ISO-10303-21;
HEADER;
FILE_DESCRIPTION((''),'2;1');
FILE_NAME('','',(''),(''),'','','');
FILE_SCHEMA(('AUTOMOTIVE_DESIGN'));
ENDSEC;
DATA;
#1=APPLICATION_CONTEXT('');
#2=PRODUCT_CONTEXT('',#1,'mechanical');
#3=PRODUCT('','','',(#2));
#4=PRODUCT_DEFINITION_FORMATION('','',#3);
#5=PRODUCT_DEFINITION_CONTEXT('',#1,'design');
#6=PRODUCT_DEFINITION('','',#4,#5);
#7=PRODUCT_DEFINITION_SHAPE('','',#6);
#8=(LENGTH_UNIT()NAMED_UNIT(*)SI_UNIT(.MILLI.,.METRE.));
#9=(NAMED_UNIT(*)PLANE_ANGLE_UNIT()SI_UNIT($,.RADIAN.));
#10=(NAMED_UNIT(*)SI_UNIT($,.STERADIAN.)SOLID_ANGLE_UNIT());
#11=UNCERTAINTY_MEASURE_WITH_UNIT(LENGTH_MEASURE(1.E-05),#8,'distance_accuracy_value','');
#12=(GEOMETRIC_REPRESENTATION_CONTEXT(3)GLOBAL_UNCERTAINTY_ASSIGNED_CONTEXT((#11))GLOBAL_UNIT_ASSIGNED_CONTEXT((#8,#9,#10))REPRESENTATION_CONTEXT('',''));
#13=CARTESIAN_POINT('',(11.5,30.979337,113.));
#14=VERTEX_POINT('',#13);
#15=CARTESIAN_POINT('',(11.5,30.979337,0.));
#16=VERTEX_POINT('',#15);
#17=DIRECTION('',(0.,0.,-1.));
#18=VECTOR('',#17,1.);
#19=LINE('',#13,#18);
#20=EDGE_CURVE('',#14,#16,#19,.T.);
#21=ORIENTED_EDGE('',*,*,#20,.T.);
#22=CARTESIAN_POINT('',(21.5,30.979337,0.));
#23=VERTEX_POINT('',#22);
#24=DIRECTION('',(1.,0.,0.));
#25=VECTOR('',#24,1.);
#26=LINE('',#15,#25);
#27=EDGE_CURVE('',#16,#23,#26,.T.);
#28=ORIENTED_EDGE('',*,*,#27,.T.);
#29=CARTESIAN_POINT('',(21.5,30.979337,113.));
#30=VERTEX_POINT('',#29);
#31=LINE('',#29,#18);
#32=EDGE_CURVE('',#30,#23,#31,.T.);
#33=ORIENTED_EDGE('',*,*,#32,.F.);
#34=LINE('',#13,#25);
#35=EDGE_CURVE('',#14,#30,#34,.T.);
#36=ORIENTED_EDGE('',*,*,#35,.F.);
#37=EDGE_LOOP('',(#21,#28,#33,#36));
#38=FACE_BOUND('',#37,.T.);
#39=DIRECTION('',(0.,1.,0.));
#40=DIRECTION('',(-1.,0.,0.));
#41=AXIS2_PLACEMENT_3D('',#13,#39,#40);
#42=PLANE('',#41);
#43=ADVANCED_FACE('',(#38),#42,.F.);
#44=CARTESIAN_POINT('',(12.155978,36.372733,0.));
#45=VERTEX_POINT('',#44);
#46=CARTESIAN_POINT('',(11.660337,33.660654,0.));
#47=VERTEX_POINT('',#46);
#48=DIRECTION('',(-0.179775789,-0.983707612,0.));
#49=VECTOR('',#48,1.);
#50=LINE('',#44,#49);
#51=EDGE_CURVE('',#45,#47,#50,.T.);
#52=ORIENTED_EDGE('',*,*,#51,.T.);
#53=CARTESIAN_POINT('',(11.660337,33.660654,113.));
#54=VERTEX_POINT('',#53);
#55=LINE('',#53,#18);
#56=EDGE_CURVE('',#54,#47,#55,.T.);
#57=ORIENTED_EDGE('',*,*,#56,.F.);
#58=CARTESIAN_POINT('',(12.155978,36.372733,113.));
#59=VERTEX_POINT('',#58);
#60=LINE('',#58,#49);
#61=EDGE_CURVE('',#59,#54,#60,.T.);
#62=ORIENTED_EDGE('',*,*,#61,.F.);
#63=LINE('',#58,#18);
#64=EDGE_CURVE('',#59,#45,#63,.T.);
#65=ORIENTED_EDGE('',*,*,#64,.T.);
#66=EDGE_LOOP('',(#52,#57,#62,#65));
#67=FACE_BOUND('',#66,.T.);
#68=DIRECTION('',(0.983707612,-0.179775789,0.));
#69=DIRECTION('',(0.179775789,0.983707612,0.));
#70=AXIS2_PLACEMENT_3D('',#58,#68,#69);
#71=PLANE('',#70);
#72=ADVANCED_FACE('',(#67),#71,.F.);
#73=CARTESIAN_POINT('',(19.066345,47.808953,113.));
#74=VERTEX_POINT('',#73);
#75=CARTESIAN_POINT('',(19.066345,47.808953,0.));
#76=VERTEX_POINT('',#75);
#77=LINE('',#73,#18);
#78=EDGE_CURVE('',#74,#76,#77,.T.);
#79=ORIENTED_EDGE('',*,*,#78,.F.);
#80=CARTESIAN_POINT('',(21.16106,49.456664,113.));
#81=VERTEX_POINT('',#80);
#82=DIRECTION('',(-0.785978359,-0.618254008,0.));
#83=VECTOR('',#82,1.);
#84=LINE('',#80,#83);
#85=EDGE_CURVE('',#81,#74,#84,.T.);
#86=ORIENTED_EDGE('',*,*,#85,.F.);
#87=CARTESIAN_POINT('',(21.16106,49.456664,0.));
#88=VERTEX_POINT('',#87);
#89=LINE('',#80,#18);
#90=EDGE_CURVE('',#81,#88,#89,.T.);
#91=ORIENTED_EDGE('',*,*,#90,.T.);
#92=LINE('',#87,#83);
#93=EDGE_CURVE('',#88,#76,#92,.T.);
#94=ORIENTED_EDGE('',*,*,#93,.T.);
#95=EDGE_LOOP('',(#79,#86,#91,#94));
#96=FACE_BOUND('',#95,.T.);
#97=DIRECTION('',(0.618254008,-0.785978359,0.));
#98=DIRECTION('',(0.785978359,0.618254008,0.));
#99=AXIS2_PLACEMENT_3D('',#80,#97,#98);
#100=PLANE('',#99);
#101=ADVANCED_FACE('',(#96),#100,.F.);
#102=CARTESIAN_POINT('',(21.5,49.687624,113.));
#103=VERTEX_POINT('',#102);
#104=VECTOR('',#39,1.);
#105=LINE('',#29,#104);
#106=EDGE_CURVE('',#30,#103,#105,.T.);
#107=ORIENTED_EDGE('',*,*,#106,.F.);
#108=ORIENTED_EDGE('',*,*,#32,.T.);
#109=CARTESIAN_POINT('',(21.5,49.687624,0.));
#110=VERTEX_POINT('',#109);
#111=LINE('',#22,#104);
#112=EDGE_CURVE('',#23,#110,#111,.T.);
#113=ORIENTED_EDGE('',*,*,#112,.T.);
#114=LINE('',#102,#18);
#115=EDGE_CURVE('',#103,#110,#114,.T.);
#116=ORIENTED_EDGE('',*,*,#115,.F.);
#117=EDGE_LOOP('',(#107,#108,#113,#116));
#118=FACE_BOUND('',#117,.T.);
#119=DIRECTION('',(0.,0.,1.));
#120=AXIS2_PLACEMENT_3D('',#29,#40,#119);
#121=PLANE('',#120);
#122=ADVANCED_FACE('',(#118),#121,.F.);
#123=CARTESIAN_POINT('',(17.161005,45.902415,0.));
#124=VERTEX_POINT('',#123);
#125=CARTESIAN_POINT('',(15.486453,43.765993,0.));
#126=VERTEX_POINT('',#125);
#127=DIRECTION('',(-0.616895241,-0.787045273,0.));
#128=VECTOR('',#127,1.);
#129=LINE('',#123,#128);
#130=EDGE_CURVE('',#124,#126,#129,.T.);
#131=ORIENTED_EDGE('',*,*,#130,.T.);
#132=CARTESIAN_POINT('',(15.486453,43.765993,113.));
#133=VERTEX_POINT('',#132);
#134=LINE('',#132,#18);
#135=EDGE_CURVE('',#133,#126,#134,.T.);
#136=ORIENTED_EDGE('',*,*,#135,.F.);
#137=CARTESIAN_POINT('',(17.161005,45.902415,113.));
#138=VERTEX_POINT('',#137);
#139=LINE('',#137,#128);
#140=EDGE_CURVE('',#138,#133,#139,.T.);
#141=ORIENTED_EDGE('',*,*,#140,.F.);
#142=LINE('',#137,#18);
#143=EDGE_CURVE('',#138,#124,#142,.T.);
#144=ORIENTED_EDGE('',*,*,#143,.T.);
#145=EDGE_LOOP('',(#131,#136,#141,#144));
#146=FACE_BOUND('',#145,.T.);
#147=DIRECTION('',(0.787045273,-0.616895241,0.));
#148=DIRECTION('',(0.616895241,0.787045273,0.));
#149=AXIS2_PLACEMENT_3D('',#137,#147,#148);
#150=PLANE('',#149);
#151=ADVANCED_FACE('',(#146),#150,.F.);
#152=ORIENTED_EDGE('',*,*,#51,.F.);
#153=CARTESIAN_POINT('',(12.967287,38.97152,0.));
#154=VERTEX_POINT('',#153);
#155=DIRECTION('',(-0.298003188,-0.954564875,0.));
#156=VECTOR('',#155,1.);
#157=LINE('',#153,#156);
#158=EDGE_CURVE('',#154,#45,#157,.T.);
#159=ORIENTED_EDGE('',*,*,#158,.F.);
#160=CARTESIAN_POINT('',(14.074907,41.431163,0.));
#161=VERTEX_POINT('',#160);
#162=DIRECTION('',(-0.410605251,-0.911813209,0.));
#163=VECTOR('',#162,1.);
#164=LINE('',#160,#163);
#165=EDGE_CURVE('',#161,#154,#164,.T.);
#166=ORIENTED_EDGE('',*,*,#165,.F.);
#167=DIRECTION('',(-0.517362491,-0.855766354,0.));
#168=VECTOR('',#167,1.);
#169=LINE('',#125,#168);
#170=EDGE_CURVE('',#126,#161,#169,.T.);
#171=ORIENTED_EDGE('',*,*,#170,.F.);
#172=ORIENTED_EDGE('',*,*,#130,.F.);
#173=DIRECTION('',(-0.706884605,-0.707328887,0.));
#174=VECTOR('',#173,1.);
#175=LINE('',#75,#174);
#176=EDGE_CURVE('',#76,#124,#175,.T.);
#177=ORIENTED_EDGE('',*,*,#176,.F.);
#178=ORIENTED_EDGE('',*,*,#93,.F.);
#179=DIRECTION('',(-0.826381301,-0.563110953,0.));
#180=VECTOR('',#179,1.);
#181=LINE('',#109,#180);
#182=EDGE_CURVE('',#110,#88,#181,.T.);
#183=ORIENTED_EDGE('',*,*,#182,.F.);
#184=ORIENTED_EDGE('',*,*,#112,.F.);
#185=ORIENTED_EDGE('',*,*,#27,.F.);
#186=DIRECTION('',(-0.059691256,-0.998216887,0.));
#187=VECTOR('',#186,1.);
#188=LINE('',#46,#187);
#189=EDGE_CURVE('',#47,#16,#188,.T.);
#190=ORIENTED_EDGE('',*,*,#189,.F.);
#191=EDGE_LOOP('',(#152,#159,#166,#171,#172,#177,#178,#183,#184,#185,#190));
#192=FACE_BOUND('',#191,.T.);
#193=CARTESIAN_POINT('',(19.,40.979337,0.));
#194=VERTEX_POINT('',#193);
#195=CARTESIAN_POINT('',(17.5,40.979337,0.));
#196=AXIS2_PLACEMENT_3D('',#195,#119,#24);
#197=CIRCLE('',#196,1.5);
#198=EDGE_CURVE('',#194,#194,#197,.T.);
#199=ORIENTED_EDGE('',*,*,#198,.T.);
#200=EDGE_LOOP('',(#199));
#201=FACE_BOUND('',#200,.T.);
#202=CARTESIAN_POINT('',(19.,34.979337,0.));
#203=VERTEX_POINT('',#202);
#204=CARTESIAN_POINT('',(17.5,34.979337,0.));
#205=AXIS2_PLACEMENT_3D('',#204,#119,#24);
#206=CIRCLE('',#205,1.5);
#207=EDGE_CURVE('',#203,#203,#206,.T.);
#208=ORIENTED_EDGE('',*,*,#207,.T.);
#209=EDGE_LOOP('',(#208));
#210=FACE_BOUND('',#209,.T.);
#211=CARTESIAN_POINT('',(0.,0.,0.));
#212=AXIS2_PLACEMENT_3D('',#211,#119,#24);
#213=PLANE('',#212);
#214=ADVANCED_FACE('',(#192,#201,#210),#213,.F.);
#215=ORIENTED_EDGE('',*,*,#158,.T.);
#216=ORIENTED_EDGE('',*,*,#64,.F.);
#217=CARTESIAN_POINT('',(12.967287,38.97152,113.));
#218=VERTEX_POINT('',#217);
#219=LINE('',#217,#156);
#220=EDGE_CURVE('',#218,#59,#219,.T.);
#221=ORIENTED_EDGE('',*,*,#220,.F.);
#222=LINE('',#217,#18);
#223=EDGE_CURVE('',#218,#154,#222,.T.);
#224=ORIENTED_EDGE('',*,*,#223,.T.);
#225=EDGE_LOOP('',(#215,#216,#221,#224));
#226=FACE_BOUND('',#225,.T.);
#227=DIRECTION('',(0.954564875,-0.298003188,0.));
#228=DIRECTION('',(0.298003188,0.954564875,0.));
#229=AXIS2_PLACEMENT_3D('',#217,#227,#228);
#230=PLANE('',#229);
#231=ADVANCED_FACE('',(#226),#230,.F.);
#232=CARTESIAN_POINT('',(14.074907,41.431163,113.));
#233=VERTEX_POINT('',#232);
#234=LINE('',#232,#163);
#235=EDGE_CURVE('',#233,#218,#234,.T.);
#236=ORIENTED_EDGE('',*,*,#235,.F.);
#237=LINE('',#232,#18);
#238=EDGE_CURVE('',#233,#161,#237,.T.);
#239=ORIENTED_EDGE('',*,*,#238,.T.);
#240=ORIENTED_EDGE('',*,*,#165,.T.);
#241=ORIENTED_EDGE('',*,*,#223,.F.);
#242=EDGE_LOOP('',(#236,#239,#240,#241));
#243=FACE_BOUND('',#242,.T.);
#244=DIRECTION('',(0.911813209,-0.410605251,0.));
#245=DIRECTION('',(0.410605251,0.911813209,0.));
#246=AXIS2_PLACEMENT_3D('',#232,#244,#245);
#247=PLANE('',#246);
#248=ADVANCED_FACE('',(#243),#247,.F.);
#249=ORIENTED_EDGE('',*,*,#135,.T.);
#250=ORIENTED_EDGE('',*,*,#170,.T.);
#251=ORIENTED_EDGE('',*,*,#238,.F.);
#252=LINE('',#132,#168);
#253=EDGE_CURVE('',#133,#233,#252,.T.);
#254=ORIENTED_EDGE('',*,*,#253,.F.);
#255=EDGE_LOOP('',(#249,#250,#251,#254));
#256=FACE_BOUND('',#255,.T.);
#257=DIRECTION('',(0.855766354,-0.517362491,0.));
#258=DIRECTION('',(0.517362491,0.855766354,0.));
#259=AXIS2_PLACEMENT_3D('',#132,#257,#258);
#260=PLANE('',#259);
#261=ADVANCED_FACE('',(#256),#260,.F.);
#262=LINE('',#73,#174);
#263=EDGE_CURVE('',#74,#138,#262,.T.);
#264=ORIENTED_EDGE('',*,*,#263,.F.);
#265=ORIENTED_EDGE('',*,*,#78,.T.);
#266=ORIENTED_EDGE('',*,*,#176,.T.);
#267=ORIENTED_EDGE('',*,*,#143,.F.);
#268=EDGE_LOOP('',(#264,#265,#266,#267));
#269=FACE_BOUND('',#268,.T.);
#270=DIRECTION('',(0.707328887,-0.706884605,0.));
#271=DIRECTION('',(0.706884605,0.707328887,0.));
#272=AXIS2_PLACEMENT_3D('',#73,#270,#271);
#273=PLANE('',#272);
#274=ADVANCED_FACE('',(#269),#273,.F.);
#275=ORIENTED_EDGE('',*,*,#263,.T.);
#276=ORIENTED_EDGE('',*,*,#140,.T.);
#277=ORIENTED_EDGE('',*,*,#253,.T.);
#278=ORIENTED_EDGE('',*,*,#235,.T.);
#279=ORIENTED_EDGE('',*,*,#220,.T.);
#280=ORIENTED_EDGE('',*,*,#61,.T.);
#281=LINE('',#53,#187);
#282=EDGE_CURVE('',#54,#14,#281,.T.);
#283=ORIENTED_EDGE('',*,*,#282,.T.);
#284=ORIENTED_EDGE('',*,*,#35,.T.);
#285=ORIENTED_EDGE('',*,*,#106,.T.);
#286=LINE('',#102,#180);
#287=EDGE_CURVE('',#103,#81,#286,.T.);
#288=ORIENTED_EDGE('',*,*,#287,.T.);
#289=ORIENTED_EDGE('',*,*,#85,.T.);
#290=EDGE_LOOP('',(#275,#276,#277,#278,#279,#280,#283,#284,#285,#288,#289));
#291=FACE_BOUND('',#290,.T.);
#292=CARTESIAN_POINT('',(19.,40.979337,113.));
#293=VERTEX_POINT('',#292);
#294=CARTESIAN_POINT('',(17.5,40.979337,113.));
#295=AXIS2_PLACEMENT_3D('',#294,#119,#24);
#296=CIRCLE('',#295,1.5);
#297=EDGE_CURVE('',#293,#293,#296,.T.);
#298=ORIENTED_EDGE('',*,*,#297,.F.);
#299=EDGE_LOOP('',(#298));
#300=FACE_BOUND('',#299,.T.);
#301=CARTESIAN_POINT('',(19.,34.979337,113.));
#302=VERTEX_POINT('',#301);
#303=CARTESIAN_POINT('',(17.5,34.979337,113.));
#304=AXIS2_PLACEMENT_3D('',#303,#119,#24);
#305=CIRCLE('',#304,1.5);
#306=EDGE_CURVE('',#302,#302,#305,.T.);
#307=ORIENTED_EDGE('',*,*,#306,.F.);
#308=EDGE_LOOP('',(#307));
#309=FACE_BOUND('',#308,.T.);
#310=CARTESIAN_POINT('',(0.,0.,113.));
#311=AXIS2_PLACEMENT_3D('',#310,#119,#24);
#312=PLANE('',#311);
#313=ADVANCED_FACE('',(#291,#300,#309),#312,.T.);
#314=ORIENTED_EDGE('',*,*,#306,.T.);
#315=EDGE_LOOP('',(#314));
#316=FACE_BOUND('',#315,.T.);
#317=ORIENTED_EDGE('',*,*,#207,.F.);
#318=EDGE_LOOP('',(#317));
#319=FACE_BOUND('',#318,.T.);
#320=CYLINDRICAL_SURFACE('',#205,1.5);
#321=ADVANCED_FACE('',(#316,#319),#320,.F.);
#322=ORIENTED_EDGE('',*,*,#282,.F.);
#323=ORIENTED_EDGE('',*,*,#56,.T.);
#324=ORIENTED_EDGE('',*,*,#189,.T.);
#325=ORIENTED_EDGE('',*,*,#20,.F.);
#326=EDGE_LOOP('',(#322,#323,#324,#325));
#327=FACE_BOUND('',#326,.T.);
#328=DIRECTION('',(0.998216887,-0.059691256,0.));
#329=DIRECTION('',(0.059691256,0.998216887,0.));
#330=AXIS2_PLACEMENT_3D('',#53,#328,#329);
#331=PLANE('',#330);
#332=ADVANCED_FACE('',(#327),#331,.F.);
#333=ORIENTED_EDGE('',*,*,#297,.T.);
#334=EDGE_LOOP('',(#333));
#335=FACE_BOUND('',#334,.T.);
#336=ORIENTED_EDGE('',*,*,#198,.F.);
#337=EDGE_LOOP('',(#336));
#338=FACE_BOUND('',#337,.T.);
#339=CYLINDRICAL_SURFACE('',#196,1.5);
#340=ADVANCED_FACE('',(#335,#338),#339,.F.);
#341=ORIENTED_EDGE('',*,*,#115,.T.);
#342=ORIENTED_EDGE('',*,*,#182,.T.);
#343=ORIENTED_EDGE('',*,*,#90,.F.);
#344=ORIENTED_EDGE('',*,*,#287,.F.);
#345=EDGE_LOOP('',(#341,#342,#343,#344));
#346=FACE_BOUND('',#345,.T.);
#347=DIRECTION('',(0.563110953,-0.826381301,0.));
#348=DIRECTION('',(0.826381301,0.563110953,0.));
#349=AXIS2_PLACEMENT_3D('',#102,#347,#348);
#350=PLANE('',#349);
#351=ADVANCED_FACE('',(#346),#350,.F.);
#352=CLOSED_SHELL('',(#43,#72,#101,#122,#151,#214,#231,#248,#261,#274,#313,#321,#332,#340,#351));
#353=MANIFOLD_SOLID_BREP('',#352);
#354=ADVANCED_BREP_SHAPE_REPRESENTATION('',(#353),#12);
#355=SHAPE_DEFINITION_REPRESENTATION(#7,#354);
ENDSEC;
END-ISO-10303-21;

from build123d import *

# Parameters (mm, degrees)
RESSALTO_EXTRUS_O1_DEPTH = 113
ESBO_O2_R                = 1.5
CORTE_EXTRUS_O1_DEPTH    = 113


with BuildPart() as part:
    # Esboço1 → Ressalto-extrusão1 (new body)
    with BuildSketch(Plane.XY):
        Polygon((11.5, 30.979337094), (21.5, 30.979337094), (21.5, 49.687624028), (21.161059666, 49.456664041), (19.066345307, 47.808952584), (17.161004874, 45.902414631), (15.486453, 43.765993321), (14.074906639, 41.431162512), (12.967287062, 38.97151993), (12.155978451, 36.372733292), (11.660337074, 33.660653998), align=None)
    extrude(amount=RESSALTO_EXTRUS_O1_DEPTH)

    # Esboço2 → Corte-extrusão1 (cut)
    with BuildSketch(Plane.XY.offset(113)):
        with Locations((17.5, 34.979337094)):
            Circle(ESBO_O2_R)
        with Locations((17.5, 40.979337094)):
            Circle(ESBO_O2_R)
    extrude(amount=-CORTE_EXTRUS_O1_DEPTH, mode=Mode.SUBTRACT)


solid = part.part
